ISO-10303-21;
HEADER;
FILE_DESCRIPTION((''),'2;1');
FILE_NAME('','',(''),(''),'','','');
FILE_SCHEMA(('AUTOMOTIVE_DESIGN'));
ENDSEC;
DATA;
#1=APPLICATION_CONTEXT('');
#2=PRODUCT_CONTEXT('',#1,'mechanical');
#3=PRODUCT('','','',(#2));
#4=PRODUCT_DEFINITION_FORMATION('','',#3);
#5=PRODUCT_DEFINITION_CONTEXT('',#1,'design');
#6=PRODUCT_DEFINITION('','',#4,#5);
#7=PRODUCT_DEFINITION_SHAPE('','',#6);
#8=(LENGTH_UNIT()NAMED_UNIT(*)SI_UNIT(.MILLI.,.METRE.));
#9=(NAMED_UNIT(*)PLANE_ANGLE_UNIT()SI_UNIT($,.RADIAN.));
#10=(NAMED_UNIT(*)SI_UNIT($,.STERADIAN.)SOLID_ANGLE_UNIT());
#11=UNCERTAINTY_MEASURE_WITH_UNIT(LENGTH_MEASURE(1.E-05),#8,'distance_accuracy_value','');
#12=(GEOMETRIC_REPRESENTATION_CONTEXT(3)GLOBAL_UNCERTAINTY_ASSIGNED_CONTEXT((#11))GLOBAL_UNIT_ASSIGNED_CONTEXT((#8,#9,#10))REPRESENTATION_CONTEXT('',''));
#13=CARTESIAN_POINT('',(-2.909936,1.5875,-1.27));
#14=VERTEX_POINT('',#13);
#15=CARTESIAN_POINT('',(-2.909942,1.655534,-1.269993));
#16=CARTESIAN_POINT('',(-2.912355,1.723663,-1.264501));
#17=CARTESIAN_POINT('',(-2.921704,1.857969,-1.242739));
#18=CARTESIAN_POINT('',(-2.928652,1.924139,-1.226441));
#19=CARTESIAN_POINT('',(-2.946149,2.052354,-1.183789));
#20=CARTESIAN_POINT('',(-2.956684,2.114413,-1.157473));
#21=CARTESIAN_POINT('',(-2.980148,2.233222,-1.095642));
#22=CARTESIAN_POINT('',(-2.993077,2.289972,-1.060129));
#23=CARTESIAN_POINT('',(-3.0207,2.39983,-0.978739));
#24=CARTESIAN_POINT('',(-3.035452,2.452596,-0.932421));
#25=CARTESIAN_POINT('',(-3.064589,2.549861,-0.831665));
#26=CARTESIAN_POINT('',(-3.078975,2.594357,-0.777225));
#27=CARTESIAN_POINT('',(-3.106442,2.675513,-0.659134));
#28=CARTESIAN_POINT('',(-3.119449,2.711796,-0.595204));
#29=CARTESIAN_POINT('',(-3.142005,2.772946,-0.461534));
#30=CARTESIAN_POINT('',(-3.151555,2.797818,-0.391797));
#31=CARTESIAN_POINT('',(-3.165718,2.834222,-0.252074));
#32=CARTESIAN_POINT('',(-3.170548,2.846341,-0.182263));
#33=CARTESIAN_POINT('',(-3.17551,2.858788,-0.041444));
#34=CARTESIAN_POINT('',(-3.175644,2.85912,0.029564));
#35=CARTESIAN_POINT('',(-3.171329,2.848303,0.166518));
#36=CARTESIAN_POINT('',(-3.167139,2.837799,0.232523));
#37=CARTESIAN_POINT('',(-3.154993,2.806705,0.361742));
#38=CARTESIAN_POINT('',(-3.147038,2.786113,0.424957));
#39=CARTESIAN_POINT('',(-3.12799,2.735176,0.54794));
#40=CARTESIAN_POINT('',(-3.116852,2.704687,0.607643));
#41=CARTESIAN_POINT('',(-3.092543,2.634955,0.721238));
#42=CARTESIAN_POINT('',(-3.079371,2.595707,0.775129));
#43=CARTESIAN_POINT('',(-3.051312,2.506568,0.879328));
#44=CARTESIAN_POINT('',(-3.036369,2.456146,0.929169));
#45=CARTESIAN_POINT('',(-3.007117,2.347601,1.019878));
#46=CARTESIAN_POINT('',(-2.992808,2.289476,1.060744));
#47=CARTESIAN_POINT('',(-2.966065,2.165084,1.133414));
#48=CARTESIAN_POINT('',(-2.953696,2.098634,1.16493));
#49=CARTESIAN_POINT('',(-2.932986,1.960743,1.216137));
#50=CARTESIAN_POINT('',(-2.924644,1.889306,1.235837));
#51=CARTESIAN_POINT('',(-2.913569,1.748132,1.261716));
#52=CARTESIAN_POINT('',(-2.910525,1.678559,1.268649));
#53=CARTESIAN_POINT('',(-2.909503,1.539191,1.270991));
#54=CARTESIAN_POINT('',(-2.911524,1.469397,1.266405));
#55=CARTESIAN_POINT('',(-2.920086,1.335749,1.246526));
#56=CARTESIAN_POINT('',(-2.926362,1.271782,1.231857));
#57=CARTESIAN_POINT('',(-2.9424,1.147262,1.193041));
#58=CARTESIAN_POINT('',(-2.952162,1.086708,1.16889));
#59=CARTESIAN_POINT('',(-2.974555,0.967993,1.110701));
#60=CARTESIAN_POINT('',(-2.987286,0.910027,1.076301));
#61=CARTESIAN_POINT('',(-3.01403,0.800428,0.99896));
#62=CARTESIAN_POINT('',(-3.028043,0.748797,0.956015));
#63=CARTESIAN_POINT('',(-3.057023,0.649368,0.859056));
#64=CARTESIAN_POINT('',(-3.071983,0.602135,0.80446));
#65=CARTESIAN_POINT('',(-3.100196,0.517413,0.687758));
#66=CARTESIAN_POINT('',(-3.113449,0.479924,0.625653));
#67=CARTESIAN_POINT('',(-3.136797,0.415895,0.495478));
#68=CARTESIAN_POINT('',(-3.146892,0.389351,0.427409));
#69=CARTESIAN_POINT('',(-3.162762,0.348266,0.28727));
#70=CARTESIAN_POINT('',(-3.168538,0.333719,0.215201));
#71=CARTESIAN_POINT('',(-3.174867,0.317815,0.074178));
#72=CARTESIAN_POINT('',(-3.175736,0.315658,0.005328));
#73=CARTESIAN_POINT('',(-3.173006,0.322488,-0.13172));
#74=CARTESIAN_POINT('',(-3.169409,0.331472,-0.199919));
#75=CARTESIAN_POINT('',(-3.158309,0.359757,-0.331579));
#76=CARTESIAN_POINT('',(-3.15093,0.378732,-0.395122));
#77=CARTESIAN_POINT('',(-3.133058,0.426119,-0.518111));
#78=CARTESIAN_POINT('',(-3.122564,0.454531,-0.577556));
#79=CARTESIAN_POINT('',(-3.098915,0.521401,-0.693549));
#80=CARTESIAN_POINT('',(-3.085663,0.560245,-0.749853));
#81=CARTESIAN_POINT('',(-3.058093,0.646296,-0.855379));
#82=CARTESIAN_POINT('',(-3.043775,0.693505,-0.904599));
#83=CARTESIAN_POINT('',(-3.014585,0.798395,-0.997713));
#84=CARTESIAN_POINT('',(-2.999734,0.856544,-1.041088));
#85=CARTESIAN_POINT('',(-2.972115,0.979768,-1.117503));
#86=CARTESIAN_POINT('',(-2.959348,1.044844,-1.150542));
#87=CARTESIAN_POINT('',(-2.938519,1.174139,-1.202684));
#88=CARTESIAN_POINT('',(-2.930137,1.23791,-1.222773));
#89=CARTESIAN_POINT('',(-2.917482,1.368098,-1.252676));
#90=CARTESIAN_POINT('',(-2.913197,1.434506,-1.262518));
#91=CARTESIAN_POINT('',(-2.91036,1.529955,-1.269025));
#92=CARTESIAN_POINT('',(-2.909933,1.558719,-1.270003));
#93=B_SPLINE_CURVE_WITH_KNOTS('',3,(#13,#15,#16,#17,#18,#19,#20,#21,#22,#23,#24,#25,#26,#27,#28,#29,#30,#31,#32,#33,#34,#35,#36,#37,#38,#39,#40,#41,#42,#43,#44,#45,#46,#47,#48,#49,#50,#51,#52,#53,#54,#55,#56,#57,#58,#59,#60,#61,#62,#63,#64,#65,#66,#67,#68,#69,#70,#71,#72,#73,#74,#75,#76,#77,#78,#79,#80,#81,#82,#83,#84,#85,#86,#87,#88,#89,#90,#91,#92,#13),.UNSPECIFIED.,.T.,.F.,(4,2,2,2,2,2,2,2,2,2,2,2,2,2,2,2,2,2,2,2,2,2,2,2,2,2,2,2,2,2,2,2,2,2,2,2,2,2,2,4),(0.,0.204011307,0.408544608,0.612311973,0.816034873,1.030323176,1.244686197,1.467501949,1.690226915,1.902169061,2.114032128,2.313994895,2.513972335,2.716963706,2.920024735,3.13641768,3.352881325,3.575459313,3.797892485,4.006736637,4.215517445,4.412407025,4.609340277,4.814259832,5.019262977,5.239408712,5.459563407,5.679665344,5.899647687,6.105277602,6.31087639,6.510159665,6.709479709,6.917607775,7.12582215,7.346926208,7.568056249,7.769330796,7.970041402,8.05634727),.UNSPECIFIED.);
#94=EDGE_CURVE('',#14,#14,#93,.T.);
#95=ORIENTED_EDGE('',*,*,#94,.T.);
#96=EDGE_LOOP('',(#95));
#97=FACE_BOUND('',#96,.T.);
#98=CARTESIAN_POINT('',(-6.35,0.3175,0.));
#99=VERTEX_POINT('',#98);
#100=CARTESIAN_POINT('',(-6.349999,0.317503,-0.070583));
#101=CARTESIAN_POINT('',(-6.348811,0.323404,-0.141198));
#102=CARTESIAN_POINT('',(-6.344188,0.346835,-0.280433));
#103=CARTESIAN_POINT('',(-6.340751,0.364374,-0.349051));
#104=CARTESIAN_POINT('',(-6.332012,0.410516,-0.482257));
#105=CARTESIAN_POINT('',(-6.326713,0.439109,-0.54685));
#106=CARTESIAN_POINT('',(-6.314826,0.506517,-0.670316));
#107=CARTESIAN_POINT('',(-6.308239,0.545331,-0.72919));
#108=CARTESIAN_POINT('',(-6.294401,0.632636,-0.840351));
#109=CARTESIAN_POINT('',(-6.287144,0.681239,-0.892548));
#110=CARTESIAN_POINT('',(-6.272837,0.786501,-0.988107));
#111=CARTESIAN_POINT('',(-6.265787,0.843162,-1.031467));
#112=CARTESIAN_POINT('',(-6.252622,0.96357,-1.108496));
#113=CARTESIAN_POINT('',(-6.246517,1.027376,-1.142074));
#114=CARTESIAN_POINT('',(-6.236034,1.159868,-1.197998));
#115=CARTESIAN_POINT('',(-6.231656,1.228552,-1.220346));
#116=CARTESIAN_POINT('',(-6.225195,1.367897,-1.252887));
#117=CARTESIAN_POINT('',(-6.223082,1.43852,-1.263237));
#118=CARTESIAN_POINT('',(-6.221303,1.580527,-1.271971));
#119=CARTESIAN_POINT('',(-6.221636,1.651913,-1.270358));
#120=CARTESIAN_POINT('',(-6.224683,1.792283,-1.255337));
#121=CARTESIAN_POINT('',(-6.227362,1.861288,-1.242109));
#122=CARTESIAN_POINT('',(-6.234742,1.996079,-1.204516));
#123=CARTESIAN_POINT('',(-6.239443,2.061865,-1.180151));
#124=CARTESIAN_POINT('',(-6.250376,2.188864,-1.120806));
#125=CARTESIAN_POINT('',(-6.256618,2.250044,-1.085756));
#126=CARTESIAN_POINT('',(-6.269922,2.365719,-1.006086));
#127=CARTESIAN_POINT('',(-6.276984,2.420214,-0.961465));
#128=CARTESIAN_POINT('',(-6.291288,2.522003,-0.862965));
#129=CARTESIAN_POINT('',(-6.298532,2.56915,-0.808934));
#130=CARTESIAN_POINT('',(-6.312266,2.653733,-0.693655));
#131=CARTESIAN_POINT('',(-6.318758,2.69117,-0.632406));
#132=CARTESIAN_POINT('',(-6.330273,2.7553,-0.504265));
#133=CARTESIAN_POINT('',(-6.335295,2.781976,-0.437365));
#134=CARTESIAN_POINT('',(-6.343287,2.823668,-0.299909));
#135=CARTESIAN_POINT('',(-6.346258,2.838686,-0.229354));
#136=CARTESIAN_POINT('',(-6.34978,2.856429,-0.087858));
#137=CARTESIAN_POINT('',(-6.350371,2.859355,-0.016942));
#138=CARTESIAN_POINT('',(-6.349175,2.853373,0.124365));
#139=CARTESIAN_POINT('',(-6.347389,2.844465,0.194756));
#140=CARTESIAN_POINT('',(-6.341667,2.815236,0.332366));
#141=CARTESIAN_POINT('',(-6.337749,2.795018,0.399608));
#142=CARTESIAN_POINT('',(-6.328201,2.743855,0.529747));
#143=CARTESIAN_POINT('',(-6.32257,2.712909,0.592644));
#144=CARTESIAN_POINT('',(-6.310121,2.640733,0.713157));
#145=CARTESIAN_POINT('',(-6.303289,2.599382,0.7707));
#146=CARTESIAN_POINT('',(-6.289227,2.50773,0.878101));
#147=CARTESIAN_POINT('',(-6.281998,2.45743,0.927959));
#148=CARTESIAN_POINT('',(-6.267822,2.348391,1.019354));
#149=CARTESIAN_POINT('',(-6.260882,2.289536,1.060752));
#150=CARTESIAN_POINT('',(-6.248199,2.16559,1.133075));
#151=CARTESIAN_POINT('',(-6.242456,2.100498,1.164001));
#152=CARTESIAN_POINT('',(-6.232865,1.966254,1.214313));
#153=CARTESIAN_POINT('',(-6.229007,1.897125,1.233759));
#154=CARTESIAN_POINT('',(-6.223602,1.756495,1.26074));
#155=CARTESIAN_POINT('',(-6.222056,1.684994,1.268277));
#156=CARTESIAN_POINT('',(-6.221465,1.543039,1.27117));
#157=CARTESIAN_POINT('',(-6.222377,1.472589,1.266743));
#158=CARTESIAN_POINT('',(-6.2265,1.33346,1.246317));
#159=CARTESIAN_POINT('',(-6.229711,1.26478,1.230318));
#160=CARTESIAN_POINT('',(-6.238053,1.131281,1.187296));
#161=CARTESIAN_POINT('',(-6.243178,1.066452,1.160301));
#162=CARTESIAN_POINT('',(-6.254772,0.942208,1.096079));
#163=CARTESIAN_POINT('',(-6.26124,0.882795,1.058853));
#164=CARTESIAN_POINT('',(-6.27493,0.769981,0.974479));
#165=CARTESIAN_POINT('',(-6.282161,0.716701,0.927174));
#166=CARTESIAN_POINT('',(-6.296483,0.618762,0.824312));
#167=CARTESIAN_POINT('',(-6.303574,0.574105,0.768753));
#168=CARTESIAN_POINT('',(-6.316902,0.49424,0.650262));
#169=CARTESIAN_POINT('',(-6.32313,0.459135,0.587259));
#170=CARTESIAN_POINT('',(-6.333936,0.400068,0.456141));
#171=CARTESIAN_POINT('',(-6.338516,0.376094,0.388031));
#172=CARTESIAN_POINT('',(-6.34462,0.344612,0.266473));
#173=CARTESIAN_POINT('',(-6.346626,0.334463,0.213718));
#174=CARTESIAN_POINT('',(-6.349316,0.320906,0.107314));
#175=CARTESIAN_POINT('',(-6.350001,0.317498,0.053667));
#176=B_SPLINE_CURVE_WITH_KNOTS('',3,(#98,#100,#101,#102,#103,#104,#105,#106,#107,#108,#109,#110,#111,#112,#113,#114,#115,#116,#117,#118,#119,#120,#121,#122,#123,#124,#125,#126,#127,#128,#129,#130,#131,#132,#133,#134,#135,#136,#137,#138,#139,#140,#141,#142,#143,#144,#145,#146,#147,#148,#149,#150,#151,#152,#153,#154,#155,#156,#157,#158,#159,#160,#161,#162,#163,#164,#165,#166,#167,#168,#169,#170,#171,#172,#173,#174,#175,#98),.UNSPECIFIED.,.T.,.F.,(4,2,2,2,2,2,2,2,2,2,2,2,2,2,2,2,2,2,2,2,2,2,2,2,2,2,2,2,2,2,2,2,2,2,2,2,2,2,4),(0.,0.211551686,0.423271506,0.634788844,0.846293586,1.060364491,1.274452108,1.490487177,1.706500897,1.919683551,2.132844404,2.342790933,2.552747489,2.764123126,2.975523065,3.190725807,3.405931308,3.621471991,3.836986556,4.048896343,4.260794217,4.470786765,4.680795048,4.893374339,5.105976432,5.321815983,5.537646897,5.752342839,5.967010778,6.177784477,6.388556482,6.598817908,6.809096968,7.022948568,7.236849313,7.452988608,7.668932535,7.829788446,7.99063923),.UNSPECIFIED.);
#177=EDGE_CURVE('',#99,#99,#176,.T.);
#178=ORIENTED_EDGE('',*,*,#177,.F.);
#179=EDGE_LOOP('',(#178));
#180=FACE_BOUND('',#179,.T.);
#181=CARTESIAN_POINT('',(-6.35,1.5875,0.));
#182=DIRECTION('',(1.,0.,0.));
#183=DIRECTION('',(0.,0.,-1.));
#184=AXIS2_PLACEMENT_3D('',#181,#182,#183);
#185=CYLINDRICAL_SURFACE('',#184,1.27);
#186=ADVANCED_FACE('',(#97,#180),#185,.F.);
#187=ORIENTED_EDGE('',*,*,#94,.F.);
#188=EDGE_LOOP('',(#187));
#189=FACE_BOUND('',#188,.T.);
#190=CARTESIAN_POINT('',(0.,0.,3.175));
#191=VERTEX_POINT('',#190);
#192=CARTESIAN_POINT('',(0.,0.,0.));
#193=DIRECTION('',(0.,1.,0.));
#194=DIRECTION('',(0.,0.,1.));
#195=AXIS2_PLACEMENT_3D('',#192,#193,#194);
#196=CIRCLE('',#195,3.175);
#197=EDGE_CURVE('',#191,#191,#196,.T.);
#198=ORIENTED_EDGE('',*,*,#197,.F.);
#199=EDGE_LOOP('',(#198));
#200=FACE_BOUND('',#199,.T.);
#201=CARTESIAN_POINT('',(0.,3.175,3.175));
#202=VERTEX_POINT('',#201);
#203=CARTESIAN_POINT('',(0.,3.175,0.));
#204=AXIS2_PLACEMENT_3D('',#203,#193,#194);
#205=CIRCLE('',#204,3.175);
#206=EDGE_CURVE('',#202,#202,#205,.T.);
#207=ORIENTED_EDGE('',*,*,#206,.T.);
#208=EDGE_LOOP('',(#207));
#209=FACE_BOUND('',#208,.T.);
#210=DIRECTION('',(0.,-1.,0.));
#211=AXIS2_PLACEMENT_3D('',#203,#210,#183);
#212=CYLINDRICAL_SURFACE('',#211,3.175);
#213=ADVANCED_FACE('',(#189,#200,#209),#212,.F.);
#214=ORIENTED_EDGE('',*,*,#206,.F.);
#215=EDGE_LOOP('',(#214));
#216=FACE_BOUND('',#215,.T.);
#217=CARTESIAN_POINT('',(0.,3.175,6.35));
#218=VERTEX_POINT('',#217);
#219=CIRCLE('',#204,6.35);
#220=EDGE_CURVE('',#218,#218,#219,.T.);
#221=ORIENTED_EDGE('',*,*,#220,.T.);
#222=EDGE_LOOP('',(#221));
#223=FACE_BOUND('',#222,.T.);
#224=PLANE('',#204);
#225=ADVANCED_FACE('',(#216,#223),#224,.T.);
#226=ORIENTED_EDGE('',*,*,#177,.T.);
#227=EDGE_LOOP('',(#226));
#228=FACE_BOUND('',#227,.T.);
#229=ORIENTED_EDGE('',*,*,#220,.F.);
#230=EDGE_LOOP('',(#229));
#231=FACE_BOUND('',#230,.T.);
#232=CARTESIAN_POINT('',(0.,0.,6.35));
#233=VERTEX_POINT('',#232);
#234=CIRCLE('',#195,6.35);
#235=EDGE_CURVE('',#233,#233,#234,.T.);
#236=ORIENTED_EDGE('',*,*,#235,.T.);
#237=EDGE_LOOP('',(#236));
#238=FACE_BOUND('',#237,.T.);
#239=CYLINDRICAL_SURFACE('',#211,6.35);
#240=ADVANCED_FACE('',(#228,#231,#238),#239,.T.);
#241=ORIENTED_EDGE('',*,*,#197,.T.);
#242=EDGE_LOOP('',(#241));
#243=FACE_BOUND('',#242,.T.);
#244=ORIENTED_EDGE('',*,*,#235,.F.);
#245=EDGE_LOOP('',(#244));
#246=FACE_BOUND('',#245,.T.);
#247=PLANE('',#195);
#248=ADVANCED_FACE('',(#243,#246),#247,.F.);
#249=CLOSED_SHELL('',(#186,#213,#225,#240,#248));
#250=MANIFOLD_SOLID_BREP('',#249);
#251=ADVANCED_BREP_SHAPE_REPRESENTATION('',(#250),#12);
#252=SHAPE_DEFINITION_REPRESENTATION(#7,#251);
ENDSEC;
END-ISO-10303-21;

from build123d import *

# Parameters (mm, degrees)
SKETCH1_R           = 6.35
SKETCH1_R_2         = 3.175
BOSS_EXTRUDE1_DEPTH = 3.175
SKETCH2_R           = 1.27
CUT_EXTRUDE1_DEPTH  = 7.35


with BuildPart() as part:
    # Sketch1 → Boss-Extrude1 (new body)
    with BuildSketch(Plane(origin=(0, 0, 0), x_dir=(1, 0, 0), z_dir=(0, 1, 0))):
        Circle(SKETCH1_R)
        Circle(SKETCH1_R_2, mode=Mode.SUBTRACT)
    extrude(amount=BOSS_EXTRUDE1_DEPTH)

    # Sketch2 → Cut-Extrude1 (cut, through all)
    with BuildSketch(Plane(origin=(0, 0, 0), x_dir=(0, 0, -1), z_dir=(1, 0, 0))):
        with Locations((0, 1.5875)):
            Circle(SKETCH2_R)
    extrude(amount=-CUT_EXTRUDE1_DEPTH, mode=Mode.SUBTRACT)


solid = part.part
